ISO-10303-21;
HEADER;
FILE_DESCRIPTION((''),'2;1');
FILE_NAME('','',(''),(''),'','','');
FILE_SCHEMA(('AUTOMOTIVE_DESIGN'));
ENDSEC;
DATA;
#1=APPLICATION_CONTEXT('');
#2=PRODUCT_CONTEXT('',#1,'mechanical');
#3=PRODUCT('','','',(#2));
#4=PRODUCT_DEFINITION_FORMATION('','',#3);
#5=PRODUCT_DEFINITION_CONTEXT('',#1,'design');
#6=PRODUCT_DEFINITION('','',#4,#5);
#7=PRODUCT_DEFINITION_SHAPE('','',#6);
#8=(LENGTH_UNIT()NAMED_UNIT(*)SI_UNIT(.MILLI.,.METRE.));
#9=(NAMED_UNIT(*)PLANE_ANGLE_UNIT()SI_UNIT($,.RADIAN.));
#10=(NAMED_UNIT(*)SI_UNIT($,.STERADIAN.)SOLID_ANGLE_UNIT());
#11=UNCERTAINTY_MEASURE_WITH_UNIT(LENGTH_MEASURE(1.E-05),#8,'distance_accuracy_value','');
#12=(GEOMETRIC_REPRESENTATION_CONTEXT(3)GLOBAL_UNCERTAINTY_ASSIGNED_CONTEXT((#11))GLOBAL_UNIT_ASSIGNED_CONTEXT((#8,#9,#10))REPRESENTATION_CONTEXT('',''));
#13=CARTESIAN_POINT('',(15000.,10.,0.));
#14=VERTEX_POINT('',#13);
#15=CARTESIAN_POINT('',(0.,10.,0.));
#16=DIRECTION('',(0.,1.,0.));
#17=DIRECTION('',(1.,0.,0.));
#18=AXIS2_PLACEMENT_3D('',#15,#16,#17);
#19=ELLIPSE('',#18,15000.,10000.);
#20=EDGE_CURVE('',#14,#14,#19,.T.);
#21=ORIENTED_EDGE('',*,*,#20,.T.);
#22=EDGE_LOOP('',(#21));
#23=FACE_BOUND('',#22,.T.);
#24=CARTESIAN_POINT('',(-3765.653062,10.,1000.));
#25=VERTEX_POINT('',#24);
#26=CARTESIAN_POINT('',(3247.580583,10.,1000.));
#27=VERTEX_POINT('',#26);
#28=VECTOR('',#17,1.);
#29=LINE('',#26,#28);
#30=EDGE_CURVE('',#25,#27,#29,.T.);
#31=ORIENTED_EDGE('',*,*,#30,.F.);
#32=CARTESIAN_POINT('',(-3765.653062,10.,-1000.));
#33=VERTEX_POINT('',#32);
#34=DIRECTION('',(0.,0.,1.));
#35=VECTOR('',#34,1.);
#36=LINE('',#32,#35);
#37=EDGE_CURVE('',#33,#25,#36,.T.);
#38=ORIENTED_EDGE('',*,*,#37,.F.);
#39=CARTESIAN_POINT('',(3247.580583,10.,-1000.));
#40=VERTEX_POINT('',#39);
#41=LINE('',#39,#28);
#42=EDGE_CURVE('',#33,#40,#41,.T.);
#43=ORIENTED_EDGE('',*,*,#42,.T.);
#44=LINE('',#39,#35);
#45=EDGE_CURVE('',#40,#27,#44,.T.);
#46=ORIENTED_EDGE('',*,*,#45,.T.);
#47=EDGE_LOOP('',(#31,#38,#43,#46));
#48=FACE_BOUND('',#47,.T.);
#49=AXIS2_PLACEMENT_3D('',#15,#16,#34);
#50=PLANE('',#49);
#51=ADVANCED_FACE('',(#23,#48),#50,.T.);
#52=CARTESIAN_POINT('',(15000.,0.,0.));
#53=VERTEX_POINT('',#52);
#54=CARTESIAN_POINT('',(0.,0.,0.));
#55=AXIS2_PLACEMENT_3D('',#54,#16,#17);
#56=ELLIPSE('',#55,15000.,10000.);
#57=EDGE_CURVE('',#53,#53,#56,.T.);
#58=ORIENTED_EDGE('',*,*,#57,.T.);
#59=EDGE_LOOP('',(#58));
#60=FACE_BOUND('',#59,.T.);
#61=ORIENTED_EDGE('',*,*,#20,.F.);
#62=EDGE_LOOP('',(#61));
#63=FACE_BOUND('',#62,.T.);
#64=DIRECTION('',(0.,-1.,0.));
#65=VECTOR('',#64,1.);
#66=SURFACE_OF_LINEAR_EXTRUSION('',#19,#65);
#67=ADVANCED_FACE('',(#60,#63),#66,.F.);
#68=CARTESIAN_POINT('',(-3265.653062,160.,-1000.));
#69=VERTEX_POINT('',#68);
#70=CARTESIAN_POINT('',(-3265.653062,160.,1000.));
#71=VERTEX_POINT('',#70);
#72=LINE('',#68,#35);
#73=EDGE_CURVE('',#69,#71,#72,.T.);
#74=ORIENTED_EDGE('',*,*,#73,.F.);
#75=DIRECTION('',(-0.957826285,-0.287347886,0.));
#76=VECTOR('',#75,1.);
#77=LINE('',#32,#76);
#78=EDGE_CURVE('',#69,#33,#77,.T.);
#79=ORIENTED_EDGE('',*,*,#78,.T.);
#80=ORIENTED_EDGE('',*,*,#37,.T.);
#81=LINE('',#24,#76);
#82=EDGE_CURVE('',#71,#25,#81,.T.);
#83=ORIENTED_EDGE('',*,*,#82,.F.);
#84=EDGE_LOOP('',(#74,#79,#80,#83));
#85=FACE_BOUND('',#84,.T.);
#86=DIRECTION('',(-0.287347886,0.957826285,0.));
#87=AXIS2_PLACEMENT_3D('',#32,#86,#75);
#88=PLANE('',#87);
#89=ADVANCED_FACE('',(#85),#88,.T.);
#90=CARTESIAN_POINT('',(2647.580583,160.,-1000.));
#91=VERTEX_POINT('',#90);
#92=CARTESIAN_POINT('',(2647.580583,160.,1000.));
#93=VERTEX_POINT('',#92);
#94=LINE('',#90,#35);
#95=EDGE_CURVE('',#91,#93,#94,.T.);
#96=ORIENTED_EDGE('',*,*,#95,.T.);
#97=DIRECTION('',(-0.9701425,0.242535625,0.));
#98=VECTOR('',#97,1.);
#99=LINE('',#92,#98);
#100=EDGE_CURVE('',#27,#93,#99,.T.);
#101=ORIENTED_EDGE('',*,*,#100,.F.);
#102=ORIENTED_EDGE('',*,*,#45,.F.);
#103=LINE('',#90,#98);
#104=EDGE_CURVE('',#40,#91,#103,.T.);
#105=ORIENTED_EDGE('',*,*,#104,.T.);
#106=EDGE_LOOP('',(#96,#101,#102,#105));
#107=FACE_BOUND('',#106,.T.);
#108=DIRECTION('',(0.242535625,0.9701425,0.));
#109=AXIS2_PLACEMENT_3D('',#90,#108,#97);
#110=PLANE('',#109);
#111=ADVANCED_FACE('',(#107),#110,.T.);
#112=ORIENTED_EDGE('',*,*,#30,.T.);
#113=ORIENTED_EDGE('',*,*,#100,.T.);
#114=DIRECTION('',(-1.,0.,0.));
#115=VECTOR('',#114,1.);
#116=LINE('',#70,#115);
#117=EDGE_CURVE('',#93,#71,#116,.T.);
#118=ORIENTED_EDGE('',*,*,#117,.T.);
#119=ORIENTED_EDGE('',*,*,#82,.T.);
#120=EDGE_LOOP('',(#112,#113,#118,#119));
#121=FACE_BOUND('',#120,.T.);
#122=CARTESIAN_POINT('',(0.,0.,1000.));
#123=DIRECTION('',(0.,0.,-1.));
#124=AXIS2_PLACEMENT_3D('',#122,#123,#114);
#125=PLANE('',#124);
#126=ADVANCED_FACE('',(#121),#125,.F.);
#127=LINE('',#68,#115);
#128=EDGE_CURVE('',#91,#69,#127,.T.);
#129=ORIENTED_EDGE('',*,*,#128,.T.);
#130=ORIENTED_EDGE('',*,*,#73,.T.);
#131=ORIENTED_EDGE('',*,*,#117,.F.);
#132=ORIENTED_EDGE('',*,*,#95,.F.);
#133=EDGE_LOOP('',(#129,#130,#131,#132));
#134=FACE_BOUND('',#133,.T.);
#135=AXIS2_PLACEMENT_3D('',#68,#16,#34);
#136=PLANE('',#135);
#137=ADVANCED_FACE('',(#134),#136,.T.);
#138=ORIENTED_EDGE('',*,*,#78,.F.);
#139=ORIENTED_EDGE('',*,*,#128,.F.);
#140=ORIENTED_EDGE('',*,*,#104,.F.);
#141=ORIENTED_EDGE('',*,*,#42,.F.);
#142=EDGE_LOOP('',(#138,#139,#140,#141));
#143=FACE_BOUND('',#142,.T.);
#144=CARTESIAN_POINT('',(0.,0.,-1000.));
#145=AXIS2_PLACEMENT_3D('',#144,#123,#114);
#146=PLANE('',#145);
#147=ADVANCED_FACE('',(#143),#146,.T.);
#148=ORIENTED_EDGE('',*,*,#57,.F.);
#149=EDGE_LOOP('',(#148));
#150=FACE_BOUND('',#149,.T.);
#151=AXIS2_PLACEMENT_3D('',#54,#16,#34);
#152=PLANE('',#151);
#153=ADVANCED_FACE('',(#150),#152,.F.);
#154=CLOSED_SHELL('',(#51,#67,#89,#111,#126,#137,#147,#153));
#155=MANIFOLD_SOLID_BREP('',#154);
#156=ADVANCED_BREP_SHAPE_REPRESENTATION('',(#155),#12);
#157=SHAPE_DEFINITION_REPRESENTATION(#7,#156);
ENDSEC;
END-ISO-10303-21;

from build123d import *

# Parameters (mm, degrees)
SKETCH_1_RX          = 15000
SKETCH_1_RY          = 10000
EXTRUDE_1_DEPTH      = 10
EXTRUDE_2_DEPTH      = 1000
EXTRUDE_2_DEPTH_BACK = 1000


with BuildPart() as part:
    # 草图1 → 凸台-拉伸1 (new body)
    with BuildSketch(Plane(origin=(0, 0, 0), x_dir=(1, 0, 0), z_dir=(0, 1, 0))):
        with Locations((0, 0)):
            Ellipse(SKETCH_1_RX, SKETCH_1_RY)
    extrude(amount=EXTRUDE_1_DEPTH)

    # 草图4 → 凸台-拉伸2 (add, two sides: drawn at the far end of the back side and taken through both)
    with BuildSketch(Plane.XY.offset(-EXTRUDE_2_DEPTH_BACK)):
        Polygon((-3765.653062208, 10), (-3265.653062208, 160), (2647.580583315, 160), (3247.580583315, 10), align=None)
    extrude(amount=EXTRUDE_2_DEPTH + EXTRUDE_2_DEPTH_BACK)


solid = part.part
